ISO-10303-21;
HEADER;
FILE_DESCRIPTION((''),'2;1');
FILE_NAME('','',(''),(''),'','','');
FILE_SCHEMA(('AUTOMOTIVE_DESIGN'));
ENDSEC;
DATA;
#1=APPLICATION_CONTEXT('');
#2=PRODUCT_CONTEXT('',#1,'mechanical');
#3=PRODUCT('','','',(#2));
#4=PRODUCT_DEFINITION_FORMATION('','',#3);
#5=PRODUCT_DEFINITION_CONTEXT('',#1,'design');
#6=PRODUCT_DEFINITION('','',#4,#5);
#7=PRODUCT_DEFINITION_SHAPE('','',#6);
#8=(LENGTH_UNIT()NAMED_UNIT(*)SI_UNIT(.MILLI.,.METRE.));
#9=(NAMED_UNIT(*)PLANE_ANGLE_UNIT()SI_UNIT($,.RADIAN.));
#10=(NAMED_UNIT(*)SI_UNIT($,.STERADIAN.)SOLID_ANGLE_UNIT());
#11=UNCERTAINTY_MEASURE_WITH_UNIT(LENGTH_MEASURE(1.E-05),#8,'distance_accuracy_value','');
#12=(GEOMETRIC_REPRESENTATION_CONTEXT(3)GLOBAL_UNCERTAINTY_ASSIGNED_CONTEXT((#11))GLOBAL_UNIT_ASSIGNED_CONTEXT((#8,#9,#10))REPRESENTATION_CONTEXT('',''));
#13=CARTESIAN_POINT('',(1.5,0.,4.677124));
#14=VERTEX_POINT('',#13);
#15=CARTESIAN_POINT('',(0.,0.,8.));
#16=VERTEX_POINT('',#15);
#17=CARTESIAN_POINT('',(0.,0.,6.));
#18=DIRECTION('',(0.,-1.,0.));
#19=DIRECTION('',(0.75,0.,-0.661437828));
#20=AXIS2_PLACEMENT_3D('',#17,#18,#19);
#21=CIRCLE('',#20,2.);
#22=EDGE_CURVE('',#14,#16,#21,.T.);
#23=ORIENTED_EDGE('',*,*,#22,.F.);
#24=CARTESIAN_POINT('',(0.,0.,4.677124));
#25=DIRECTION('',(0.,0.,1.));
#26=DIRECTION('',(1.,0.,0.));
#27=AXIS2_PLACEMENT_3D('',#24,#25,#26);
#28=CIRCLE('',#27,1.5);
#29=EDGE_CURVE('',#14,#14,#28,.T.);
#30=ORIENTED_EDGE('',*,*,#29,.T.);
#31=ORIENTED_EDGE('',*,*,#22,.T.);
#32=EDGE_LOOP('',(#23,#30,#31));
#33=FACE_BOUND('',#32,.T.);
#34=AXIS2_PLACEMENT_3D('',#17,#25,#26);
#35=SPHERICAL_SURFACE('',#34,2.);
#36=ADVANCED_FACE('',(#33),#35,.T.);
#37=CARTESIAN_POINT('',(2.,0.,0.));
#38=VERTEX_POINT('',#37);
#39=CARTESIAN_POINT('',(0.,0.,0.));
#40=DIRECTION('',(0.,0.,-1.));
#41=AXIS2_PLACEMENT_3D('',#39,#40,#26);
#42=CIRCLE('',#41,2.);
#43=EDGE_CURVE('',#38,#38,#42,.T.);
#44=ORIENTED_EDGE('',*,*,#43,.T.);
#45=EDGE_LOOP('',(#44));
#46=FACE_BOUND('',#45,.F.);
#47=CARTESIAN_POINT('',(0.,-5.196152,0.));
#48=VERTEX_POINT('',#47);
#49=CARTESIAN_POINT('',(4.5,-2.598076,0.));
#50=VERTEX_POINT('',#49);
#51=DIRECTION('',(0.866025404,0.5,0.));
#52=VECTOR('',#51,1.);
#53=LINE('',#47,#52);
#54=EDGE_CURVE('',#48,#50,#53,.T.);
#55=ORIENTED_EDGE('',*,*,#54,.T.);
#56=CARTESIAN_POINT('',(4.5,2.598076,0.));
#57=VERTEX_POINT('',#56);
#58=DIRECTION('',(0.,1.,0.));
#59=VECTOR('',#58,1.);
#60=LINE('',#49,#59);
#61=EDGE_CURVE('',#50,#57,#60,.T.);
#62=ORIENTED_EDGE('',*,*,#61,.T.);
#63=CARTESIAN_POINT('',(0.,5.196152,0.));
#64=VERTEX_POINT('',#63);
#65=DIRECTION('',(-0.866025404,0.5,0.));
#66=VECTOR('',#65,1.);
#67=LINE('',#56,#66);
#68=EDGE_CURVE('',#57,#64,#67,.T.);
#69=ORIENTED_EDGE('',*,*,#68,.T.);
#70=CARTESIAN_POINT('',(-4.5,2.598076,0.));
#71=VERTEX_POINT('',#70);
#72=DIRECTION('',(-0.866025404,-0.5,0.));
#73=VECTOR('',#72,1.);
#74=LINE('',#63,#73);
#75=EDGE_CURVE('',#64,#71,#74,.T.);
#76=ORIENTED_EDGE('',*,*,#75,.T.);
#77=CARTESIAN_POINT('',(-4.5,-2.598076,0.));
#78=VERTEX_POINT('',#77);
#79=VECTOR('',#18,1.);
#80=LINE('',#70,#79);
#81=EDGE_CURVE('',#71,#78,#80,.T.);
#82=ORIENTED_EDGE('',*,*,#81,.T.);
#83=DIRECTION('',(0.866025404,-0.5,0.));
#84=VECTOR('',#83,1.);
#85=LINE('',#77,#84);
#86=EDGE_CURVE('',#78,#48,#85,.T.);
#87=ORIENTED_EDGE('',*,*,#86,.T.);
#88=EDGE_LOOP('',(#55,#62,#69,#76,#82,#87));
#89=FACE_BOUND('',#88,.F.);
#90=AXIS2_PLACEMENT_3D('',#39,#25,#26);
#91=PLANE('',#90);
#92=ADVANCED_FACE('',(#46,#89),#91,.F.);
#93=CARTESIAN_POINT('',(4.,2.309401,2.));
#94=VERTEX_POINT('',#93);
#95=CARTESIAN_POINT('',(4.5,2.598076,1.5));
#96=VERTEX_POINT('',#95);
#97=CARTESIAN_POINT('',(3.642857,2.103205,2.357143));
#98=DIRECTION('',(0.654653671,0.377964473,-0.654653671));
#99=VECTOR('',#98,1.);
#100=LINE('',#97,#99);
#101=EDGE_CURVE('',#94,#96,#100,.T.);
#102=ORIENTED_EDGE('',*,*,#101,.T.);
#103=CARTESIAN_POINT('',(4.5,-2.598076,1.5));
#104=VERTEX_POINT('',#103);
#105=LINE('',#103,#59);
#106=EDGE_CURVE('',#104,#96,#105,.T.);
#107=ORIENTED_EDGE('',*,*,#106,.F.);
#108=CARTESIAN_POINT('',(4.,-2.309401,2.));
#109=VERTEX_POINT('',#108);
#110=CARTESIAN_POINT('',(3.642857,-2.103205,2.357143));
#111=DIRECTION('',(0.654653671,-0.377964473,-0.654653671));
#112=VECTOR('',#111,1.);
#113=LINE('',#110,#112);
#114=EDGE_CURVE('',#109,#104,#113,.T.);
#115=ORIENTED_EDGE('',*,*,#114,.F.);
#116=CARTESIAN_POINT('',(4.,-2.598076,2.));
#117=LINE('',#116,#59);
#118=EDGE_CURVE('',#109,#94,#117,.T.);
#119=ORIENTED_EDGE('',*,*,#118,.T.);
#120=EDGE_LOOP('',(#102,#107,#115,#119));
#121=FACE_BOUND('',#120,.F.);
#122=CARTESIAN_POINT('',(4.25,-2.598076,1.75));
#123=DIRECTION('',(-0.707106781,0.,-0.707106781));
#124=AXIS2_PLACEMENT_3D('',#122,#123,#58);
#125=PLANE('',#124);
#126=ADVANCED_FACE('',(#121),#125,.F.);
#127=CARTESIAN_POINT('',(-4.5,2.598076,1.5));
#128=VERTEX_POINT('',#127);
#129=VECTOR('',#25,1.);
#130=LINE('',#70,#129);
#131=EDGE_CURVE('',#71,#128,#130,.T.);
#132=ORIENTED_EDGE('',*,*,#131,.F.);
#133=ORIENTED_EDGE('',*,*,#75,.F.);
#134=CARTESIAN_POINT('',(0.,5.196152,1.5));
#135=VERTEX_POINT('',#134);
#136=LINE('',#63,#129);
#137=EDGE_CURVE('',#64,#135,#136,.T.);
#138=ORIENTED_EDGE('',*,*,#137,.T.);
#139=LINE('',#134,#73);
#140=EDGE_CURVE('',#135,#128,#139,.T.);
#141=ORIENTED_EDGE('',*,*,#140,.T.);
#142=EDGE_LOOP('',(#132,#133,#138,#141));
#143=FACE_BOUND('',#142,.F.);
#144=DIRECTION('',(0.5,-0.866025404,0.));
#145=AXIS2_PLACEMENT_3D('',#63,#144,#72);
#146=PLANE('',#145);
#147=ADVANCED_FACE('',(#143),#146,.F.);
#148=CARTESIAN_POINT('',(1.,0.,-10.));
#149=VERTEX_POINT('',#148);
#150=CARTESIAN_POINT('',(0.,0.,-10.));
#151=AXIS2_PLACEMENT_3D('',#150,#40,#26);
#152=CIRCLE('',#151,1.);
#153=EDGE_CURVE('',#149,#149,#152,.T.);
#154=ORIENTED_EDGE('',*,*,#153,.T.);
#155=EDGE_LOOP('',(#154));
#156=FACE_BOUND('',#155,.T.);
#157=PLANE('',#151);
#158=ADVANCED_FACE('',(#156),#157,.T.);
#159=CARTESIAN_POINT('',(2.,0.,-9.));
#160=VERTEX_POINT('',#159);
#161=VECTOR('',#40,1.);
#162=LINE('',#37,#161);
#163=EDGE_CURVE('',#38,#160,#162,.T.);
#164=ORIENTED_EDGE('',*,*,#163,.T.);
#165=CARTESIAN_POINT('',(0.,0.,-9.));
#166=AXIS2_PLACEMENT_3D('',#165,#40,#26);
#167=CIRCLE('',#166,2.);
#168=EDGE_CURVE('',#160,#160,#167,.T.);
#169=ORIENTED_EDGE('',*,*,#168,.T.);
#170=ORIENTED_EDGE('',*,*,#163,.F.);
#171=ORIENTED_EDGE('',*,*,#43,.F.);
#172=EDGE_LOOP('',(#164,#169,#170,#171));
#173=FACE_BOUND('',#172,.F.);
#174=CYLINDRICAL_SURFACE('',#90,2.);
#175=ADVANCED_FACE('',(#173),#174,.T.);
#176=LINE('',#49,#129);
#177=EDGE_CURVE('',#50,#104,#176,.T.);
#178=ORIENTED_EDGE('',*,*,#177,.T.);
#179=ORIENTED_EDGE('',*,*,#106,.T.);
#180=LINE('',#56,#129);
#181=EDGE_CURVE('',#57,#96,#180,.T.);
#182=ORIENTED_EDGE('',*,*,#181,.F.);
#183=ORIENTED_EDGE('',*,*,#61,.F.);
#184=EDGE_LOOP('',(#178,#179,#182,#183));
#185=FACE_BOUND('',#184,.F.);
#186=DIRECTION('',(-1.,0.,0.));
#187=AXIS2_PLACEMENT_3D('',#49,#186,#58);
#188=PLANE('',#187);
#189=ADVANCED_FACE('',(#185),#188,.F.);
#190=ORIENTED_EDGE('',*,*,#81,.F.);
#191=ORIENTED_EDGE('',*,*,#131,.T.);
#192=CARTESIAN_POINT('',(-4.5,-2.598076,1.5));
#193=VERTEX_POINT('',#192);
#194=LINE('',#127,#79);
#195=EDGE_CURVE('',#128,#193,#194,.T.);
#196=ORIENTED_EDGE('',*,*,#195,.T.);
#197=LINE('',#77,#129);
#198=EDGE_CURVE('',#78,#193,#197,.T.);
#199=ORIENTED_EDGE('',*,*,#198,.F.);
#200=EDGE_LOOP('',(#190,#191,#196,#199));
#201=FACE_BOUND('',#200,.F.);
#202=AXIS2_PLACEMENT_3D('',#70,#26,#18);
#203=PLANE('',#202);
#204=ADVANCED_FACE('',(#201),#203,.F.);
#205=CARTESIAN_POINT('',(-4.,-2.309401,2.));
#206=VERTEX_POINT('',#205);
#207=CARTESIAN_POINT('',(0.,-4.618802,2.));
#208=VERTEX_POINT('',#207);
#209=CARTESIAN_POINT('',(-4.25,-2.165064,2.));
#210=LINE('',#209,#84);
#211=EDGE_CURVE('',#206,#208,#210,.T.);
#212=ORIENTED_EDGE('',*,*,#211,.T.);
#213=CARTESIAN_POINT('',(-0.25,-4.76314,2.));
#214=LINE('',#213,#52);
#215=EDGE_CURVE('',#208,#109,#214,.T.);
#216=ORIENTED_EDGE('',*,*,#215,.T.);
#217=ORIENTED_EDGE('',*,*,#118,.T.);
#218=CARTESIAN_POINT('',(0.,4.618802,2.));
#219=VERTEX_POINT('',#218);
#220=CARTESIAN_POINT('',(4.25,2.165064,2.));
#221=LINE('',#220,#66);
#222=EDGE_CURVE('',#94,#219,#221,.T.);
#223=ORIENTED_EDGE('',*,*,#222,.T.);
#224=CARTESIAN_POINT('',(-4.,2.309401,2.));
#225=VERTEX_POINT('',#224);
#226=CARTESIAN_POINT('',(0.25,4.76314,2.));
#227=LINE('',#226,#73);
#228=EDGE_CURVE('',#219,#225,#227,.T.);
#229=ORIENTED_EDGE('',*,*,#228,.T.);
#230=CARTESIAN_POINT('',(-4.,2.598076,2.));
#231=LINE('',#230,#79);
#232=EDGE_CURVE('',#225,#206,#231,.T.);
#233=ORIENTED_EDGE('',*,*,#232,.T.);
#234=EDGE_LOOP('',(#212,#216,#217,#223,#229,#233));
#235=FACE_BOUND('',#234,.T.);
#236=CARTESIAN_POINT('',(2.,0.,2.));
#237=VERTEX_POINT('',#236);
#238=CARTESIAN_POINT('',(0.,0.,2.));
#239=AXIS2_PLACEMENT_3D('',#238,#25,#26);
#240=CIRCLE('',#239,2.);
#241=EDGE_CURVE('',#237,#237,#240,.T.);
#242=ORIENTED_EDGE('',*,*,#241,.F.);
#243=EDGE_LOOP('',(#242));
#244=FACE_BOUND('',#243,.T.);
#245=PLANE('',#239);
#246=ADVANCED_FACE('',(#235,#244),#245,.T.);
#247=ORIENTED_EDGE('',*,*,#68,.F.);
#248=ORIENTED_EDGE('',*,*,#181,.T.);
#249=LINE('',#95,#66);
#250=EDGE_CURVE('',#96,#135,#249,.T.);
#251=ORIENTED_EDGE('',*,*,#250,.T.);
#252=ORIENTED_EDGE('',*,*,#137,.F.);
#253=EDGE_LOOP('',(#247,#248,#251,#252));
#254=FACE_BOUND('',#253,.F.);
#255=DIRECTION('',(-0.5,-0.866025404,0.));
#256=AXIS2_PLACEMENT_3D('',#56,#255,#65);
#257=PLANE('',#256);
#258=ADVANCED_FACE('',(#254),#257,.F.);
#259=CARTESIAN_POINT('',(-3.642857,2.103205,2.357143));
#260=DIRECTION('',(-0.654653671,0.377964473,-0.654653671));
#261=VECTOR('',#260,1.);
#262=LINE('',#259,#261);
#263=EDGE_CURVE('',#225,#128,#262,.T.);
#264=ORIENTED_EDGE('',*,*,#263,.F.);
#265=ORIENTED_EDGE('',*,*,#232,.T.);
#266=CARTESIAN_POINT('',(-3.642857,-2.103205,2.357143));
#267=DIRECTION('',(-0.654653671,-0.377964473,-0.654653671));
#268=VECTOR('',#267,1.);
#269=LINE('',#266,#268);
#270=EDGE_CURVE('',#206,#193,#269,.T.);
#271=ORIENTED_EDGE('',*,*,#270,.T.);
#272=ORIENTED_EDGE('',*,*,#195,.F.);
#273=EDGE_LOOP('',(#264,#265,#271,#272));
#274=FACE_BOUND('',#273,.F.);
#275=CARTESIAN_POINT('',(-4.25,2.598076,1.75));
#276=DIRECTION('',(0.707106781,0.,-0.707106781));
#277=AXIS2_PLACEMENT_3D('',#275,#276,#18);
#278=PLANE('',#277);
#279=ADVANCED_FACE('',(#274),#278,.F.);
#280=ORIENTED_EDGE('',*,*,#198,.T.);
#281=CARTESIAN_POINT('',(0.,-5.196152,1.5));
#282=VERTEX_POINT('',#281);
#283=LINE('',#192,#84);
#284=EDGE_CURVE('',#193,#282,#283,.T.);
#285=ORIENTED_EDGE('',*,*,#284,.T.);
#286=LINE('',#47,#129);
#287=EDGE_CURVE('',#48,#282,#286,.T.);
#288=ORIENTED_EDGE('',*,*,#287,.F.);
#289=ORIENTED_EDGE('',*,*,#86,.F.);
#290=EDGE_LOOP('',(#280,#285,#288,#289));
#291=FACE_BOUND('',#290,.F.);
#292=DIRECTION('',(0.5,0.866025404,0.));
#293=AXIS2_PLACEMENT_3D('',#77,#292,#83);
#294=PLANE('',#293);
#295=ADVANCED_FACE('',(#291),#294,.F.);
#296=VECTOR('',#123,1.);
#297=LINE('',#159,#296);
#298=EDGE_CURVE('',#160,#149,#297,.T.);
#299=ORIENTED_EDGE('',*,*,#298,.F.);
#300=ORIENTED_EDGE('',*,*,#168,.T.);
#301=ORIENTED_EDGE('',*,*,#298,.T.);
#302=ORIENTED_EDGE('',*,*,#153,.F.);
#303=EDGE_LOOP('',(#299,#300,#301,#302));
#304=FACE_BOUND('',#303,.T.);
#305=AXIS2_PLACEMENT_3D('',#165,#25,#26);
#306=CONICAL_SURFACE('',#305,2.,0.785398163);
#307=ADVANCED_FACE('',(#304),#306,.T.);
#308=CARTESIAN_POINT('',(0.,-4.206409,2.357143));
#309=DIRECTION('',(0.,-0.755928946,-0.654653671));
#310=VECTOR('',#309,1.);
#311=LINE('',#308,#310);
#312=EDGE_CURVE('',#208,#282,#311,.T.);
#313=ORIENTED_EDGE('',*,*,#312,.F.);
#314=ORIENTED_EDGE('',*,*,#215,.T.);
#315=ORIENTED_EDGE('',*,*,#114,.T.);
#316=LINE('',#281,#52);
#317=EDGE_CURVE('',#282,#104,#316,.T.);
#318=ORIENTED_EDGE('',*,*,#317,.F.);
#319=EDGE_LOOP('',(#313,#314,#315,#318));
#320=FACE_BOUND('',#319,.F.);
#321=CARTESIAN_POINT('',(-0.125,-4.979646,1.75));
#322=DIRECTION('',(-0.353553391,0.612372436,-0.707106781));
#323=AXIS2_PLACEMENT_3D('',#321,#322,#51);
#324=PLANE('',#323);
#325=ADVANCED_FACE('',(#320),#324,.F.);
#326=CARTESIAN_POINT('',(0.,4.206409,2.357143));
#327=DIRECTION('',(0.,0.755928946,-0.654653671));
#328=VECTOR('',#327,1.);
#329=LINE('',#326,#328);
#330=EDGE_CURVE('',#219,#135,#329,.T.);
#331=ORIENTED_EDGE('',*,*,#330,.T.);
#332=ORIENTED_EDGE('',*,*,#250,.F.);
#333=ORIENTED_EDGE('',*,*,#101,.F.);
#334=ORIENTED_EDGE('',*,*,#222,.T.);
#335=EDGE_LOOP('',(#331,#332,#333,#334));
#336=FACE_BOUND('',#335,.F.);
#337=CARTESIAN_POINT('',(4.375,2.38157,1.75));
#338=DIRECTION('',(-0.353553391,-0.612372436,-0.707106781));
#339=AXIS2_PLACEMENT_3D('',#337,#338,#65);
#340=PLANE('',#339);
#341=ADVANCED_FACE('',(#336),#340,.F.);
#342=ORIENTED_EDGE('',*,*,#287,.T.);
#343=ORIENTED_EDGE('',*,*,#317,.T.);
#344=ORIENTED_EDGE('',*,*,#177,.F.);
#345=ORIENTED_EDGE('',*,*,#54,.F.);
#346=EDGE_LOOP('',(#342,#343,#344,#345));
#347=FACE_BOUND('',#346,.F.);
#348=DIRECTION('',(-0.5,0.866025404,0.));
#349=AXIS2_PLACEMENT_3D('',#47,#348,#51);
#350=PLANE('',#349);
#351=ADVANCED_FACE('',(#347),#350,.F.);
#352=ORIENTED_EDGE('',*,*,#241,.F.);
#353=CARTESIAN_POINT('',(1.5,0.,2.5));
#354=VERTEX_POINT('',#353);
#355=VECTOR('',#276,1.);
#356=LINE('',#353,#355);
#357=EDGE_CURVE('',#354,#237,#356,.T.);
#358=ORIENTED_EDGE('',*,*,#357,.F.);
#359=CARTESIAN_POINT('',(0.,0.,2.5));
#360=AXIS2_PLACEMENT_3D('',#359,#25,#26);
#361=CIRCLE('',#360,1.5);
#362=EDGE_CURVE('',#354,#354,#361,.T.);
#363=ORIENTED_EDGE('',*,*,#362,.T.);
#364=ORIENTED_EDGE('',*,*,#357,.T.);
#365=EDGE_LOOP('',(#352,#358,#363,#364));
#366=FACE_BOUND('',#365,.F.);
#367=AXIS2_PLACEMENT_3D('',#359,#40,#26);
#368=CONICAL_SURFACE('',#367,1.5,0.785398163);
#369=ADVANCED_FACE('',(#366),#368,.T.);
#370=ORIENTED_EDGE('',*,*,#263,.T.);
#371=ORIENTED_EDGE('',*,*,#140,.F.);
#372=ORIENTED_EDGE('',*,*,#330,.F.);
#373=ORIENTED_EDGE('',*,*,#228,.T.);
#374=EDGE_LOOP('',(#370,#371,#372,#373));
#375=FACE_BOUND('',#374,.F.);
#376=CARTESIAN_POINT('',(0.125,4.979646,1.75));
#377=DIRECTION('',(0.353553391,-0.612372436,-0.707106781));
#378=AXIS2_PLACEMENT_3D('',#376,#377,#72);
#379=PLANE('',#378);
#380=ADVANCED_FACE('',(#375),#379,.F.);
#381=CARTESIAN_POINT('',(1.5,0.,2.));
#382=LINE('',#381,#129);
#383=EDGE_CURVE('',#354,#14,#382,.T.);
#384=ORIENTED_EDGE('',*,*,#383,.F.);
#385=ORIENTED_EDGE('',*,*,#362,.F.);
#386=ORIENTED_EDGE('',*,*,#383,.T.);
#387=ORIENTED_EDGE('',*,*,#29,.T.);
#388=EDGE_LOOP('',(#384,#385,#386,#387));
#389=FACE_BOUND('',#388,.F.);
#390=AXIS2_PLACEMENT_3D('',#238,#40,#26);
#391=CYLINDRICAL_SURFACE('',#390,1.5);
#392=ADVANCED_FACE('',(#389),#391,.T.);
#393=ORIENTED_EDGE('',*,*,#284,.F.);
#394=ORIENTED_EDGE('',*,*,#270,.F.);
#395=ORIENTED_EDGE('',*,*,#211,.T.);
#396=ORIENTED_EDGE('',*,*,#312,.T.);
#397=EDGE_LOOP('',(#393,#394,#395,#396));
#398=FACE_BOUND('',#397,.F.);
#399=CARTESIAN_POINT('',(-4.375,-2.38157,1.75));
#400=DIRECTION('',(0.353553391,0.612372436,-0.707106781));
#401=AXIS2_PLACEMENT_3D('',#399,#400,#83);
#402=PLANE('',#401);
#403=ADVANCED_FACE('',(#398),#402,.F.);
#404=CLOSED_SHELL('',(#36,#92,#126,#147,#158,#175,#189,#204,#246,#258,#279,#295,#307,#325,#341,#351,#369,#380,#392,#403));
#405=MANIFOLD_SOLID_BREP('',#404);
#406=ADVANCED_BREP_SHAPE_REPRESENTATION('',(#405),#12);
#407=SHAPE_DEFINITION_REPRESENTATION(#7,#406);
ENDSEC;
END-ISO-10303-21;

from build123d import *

# Parameters (mm, degrees)
F1_DEPTH = 2
F2_R     = 2
F3_DEPTH = 10
F4_SIZE  = 1
F5_R     = 1.5
F6_DEPTH = 3
F9_SIZE  = 0.5


with BuildPart() as f1:
    # F0 (on Top) → F1 (new body)
    with BuildSketch(Plane.XY):
        Polygon((4.5, -2.5980762114), (4.5, 2.5980762114), (0, 5.1961524227), (-4.5, 2.5980762114), (-4.5, -2.5980762114), (0, -5.1961524227), align=None)
    extrude(amount=F1_DEPTH)

    # F2 (on face) → F3 (join)
    with BuildSketch(Plane(origin=(0, 0, 0), x_dir=(1, 0, 0), z_dir=(0, 0, -1))):
        Circle(F2_R)
    extrude(amount=F3_DEPTH)

    # F4
    f4_edges = [f1.edges().sort_by_distance(p)[0] for p in [
        (-2, 0, -10),
    ]]
    chamfer(f4_edges, length=F4_SIZE)

    # F5 (on face) → F6 (join)
    with BuildSketch(Plane.XY.offset(2)):
        Circle(F5_R)
    extrude(amount=F6_DEPTH)

    # F7 (on Front) → F8 (revolve)
    with BuildSketch(Plane.XZ):
        with BuildLine():
            Line((1.5, 5), (1.5, 4.6771243445))
            ThreePointArc((1.5, 4.6771243445), (1.8228756555, 6.8228756555), (0, 8))
            Line((0, 8), (0, 5))
            Line((0, 5), (1.5, 5))
        make_face()
    revolve(axis=Axis((0, 0, 2), (0, 0, 1)))

    # F9
    f9_edges = [f1.edges().sort_by_distance(p)[0] for p in [
        (2.25, -3.897114, 2),
        (4.5, 0, 2),
        (2.25, 3.897114, 2),
        (-2.25, 3.897114, 2),
        (-2.25, -3.897114, 2),
        (-4.5, 0, 2),
        (-1.5, 0, 2),
    ]]
    chamfer(f9_edges, length=F9_SIZE)


solid = f1.part
